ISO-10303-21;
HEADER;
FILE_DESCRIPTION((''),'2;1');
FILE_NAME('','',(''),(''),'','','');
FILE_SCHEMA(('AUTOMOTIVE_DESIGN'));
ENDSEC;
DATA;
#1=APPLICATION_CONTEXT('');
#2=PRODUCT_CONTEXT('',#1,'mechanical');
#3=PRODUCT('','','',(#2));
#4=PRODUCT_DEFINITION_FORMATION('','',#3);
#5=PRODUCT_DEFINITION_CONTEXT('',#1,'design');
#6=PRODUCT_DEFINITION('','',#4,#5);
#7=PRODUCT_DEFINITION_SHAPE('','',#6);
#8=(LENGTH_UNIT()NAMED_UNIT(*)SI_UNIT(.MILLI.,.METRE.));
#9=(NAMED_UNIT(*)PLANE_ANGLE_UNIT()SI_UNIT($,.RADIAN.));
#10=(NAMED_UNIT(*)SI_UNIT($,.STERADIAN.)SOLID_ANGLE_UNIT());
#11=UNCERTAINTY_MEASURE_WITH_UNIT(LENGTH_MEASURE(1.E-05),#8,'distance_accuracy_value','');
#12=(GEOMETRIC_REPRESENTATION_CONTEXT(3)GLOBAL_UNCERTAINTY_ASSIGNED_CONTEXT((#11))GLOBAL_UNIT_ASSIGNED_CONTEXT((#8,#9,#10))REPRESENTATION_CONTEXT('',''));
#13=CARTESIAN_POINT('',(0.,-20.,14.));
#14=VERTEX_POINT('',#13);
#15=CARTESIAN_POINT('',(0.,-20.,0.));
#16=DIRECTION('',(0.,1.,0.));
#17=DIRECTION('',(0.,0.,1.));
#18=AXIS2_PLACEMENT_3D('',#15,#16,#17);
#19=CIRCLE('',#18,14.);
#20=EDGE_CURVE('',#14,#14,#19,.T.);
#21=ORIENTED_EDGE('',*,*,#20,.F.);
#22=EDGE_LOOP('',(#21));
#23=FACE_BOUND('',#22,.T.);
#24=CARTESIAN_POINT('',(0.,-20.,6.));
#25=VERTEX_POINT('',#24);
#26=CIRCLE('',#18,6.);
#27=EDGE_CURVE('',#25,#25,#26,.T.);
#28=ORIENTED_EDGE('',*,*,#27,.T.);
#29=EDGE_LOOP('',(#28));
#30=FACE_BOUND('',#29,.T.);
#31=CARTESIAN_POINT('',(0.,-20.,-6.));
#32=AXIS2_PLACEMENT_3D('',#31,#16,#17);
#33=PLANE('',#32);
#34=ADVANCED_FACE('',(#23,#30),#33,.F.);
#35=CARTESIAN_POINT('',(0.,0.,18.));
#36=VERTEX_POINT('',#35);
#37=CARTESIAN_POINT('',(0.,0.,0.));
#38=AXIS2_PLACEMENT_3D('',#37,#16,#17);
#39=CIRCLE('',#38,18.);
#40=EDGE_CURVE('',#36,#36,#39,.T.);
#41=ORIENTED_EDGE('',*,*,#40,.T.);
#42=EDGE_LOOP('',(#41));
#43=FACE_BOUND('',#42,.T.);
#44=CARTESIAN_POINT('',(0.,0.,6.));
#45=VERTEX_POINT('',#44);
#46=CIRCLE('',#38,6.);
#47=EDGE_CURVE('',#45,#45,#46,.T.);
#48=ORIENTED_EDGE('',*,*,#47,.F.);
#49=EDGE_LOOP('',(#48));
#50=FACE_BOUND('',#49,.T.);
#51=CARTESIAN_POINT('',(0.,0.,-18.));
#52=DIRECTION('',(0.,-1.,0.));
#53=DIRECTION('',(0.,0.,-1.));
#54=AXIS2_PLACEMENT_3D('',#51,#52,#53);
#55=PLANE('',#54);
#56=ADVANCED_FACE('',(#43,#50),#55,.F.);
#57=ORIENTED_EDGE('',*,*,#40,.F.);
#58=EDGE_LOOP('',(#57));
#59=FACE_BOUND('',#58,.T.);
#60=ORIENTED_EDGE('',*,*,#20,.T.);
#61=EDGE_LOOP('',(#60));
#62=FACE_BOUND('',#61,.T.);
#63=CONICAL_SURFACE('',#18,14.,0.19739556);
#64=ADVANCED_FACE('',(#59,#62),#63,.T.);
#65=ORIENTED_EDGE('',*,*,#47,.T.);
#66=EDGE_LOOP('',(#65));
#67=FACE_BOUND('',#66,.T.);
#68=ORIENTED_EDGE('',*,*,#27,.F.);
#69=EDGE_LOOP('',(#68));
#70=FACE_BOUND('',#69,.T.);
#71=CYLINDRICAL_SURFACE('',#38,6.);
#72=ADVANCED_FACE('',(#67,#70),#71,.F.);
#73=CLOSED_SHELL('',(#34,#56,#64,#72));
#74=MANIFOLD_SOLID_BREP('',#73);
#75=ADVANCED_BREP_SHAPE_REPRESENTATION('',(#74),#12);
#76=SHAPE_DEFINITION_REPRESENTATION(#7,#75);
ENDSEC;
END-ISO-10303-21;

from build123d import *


with BuildPart() as part:
    # Sketch1 → Revolve1 (revolve)
    with BuildSketch(Plane(origin=(0, 0, 0), x_dir=(0, 0, -1), z_dir=(1, 0, 0)), mode=Mode.PRIVATE) as revolve1_sk:
        Polygon((6, 0), (6, -20), (14, -20), (18, 0), align=None)
    revolve(revolve1_sk.sketch.rotate(Axis((0, 0, 0), (0, -1, 0)), 180), axis=Axis((0, 0, 0), (0, -1, 0)))


solid = part.part
